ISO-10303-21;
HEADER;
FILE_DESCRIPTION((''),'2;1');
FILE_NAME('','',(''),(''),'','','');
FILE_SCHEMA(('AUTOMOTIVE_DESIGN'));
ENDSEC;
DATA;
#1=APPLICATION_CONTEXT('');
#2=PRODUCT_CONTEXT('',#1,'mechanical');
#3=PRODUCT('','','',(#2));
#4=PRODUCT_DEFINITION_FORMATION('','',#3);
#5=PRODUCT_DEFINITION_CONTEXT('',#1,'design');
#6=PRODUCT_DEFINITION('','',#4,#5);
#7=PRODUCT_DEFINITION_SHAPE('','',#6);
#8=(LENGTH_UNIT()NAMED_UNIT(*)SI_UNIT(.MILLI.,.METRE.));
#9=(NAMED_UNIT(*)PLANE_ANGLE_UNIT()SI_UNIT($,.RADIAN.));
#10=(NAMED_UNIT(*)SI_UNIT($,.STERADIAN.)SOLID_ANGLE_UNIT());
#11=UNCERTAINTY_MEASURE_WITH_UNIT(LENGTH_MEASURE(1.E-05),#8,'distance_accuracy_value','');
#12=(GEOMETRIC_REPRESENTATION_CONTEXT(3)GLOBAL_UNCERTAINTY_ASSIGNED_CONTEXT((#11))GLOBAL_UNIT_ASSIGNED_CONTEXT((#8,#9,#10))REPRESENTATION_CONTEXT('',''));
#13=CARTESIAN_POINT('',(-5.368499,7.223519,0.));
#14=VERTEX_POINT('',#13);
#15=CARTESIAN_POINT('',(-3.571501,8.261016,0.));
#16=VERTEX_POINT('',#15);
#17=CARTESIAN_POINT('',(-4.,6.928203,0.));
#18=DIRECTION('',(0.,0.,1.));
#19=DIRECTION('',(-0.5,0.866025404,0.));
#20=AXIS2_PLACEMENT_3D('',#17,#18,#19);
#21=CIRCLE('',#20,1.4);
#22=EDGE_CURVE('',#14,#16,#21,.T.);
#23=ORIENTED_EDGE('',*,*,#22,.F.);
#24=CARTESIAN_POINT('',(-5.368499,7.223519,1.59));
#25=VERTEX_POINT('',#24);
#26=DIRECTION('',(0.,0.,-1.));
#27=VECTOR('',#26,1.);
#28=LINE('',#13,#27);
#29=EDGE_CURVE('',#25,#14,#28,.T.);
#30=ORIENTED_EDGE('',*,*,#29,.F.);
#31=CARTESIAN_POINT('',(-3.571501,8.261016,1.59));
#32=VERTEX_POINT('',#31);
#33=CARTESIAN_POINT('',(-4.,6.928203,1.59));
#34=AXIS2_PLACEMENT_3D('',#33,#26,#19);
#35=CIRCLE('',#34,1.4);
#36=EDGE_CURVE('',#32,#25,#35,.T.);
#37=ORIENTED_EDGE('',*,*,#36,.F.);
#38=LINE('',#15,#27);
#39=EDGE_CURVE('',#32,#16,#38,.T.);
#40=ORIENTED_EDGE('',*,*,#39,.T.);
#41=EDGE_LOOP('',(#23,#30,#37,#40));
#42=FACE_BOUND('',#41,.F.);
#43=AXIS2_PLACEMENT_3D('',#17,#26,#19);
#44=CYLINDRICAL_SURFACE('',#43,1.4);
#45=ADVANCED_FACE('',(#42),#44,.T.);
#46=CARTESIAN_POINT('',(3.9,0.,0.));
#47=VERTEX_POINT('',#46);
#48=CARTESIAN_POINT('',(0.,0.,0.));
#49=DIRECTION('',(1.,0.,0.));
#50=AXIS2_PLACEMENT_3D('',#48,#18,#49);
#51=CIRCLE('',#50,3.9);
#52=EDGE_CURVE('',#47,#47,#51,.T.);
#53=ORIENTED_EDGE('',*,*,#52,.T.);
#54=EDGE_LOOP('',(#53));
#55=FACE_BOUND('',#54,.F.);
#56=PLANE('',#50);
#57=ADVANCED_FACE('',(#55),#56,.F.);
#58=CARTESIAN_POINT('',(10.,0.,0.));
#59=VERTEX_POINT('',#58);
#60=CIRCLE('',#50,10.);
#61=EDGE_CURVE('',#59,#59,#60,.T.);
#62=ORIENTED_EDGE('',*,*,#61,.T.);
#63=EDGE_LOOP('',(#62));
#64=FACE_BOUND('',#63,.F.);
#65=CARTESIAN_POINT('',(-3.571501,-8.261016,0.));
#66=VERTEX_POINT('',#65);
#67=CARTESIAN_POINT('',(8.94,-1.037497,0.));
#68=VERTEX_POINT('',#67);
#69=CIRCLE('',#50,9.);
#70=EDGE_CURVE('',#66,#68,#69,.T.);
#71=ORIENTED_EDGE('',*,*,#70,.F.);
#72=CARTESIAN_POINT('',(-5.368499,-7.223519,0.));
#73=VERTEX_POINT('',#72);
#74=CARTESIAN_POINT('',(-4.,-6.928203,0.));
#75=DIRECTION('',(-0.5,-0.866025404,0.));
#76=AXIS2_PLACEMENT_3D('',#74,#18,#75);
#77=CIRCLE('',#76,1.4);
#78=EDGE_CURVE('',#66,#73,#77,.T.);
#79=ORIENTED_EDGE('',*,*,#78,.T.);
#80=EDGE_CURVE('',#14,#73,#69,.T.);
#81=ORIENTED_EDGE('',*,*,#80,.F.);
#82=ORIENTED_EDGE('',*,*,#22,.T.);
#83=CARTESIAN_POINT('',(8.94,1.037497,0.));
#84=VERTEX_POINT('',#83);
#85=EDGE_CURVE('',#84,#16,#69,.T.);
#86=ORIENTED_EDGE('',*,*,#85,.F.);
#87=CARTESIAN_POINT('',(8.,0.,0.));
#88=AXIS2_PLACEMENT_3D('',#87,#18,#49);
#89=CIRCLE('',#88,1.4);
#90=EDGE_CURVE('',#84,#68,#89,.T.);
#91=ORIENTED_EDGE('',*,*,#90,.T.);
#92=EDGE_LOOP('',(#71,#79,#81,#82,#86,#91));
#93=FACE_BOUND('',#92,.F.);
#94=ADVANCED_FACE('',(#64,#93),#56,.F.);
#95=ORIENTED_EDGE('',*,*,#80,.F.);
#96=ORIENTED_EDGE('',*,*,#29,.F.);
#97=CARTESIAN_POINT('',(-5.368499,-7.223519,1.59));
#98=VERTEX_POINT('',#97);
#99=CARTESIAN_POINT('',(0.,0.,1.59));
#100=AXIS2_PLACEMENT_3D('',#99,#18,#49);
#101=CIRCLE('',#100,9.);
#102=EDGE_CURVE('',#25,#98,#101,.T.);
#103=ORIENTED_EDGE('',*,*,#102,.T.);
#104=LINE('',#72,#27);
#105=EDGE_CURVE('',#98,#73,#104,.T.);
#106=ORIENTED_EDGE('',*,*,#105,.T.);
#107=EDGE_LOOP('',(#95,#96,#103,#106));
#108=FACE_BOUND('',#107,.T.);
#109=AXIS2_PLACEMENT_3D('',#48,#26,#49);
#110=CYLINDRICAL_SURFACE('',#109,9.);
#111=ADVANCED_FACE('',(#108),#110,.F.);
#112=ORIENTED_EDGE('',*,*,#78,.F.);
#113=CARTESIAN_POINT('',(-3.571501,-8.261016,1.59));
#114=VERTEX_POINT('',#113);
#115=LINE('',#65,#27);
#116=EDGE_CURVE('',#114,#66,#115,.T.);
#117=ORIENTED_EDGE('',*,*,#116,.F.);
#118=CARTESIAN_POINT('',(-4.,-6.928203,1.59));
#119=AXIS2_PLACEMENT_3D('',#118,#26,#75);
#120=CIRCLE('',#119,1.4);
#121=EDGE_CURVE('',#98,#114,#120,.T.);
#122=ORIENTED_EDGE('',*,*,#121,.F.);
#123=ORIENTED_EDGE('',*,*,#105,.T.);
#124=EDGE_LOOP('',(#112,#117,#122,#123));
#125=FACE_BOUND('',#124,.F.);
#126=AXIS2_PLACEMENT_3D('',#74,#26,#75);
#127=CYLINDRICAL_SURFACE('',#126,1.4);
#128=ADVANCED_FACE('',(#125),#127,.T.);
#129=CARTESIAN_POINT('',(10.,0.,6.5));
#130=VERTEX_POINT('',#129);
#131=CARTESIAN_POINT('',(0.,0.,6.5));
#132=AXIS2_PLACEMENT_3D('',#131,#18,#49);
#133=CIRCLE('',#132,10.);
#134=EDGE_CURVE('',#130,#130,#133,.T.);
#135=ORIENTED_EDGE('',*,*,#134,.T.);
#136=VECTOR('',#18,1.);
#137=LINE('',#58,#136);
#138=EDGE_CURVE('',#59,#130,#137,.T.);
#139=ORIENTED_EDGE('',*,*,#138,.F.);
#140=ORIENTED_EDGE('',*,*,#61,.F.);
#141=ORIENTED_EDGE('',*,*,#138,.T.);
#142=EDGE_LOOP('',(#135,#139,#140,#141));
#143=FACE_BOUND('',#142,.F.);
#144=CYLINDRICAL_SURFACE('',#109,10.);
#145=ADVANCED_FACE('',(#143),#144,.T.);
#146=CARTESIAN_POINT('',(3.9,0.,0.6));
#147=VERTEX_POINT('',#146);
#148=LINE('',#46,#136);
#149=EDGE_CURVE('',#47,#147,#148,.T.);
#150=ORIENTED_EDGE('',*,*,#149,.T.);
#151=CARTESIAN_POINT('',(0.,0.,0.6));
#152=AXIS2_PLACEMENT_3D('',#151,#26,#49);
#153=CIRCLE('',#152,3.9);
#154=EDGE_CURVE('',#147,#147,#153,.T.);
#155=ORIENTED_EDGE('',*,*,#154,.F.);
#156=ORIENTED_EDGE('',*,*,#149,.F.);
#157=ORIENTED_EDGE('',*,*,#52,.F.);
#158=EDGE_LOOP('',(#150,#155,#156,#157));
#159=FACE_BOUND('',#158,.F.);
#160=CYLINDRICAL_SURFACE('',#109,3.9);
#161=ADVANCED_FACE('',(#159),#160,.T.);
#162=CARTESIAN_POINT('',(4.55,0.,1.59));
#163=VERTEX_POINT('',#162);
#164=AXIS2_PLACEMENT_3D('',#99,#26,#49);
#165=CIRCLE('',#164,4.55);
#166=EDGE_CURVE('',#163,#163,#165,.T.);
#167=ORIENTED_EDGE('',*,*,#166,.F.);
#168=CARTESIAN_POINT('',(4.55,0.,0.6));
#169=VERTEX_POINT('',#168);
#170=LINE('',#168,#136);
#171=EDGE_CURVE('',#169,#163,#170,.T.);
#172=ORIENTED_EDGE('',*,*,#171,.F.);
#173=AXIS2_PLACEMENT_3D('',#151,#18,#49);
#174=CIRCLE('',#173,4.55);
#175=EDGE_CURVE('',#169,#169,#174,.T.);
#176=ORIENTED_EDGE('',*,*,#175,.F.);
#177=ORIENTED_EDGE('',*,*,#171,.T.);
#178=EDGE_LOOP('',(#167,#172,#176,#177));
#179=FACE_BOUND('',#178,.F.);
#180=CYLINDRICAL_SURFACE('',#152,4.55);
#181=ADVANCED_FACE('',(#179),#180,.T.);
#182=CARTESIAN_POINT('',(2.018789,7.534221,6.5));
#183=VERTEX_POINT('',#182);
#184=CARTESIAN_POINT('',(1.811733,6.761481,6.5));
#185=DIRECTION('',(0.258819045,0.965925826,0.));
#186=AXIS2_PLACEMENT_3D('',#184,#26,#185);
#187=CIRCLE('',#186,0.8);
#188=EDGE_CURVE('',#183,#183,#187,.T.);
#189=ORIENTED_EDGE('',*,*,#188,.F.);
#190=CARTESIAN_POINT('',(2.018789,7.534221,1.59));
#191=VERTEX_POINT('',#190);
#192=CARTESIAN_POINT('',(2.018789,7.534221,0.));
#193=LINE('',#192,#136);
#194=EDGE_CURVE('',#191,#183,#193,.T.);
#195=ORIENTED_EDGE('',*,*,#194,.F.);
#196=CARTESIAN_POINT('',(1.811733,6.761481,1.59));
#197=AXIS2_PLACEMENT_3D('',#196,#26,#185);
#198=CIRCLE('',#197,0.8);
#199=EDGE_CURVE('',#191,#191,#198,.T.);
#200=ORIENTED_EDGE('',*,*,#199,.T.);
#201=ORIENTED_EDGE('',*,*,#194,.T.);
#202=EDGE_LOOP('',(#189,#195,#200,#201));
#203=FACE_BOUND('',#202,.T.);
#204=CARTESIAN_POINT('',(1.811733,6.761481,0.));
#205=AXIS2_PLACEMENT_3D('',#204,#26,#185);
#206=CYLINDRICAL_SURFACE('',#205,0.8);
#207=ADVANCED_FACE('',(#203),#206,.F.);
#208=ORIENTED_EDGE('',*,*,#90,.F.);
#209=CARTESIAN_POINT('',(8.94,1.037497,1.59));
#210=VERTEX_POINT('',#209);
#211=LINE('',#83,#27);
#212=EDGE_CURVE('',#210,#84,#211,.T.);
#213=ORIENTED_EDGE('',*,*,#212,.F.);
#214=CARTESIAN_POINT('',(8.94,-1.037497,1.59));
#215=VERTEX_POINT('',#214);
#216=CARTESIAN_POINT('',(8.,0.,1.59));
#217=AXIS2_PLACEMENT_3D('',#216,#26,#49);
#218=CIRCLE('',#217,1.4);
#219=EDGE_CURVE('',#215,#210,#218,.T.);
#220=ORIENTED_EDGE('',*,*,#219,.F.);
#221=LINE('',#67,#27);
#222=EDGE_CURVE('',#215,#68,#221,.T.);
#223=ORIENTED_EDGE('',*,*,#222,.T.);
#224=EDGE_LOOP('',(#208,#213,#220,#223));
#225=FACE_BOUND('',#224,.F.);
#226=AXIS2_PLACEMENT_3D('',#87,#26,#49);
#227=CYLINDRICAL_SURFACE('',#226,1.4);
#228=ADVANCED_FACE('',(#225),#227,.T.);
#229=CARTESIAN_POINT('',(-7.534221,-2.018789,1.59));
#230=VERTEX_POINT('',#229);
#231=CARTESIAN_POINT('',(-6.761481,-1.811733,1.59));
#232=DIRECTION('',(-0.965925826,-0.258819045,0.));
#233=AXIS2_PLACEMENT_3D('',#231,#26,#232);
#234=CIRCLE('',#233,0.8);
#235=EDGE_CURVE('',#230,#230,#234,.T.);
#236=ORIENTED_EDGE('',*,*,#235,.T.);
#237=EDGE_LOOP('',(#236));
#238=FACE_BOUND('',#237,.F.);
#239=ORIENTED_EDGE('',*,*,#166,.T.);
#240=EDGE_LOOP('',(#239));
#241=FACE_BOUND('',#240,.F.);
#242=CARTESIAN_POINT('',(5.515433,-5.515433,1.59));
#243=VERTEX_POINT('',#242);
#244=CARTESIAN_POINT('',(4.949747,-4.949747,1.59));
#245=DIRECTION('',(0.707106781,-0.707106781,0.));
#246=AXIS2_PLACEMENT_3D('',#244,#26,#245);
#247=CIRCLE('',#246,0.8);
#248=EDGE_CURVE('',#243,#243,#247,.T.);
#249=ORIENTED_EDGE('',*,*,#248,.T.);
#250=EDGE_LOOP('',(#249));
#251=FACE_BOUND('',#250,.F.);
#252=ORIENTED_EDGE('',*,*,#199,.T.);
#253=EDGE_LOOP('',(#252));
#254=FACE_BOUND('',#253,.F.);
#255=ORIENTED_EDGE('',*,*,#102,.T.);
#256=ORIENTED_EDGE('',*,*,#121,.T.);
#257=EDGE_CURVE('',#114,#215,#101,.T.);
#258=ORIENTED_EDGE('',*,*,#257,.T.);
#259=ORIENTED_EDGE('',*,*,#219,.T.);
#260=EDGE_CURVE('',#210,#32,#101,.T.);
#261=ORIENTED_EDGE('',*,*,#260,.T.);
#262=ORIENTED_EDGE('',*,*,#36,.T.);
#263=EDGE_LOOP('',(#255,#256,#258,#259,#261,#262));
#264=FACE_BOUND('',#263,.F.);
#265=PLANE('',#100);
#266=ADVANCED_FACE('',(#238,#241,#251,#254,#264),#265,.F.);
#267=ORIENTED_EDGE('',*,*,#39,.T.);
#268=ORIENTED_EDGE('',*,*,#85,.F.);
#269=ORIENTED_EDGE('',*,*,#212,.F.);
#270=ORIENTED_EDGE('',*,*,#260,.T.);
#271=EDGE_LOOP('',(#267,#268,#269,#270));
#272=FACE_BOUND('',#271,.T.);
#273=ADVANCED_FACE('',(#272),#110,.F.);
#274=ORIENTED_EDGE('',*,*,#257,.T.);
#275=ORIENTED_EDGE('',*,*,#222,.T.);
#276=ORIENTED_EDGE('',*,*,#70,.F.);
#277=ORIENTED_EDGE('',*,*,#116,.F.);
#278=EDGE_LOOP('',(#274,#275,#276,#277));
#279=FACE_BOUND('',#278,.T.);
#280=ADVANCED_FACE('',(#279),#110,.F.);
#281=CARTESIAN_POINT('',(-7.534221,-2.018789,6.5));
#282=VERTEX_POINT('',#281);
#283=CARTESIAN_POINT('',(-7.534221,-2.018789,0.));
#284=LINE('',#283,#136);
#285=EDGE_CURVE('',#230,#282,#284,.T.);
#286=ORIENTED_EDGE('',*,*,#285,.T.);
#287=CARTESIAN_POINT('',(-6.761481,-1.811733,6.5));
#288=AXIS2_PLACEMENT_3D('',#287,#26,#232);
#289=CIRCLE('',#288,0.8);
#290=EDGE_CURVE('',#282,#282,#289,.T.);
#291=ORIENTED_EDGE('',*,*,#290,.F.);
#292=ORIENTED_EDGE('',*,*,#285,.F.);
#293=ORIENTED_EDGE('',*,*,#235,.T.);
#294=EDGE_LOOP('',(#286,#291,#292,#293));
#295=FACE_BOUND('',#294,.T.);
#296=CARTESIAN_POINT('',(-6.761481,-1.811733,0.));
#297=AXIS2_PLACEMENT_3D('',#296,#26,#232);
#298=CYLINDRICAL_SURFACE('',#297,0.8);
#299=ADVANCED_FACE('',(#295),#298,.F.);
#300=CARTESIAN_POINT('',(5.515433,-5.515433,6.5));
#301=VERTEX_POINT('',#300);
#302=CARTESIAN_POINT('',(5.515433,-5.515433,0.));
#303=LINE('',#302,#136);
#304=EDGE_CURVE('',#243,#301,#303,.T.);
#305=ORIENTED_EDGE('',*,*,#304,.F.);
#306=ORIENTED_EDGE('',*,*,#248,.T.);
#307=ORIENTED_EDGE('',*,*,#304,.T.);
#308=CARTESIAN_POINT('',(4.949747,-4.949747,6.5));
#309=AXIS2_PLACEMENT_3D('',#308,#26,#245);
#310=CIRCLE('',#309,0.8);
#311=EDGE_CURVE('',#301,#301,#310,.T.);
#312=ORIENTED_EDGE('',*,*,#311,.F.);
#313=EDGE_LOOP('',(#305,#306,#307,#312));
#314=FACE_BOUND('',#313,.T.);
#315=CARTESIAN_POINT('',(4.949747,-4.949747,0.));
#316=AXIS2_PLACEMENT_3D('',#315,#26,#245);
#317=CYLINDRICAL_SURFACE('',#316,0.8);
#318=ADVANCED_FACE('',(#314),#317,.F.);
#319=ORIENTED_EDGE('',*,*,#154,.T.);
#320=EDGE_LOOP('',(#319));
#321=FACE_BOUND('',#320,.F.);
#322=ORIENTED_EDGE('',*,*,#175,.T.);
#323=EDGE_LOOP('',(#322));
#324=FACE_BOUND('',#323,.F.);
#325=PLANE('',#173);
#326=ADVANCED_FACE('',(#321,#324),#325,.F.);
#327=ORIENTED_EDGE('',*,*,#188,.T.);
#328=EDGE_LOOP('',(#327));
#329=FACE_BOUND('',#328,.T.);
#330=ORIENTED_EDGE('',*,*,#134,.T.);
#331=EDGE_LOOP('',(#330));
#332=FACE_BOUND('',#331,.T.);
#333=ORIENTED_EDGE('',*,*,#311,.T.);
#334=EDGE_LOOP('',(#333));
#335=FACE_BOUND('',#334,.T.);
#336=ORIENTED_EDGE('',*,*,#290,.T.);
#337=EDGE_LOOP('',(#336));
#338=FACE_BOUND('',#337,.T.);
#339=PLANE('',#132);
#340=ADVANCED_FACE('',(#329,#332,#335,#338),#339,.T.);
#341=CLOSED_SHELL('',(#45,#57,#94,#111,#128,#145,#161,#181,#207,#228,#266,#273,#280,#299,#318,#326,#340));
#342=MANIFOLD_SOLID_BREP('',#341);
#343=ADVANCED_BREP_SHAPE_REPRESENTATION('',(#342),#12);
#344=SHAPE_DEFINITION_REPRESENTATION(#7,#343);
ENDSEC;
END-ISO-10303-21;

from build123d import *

# Parameters (mm, degrees)
CYLINDER044_R            = 0.8
CYLINDER044_DEPTH        = 10
ARRAY007_COUNT           = 3
ARRAY007_PLACEMENT_ANGLE = 45
CYLINDER027_R            = 4.55
CYLINDER027_DEPTH        = 10
CYLINDER026_R            = 3.9
CYLINDER026_DEPTH        = 10
CYLINDER024_R            = 1.4
CYLINDER024_DEPTH        = 10
ARRAY_COUNT              = 3
CYLINDER023_R            = 9
CYLINDER023_DEPTH        = 1.59
CYLINDER043_R            = 10
CYLINDER043_DEPTH        = 6.5


with BuildPart() as array007:
    # Cylinder044 → Cylinder044 (new body)
    with BuildSketch(Plane(origin=(7, 0, 0), x_dir=(1, 0, 0), z_dir=(0, 0, 1))):
        Circle(CYLINDER044_R)
    extrude(amount=CYLINDER044_DEPTH)

    # Array007: Array007 ×3 about axis
    array007_axis = Axis((0, 0, 0), (0, 0, 1))


with BuildPart() as array007_1:
    add(array007.part)
    for i in range(1, ARRAY007_COUNT):
        add(array007.part.rotate(array007_axis, i * 360 / ARRAY007_COUNT))


with BuildPart() as array007_2:
    # Array007 placement: moved
    add(array007_1.part.rotate(Axis((0, 0, 0), (0, 0, -1)), ARRAY007_PLACEMENT_ANGLE))


with BuildPart() as mountplatelip:
    # Cylinder027 → Cylinder027 (new body)
    with BuildSketch(Plane.XY.offset(0.6)):
        Circle(CYLINDER027_R)
    extrude(amount=CYLINDER027_DEPTH)


with BuildPart() as mountplateinnerhole:
    # Cylinder026 → Cylinder026 (new body)
    with BuildSketch(Plane.XY):
        Circle(CYLINDER026_R)
    extrude(amount=CYLINDER026_DEPTH)


with BuildPart() as fusion012:
    # Cylinder024 → Cylinder024 (new body)
    with BuildSketch(Plane(origin=(8, 0, 0), x_dir=(1, 0, 0), z_dir=(0, 0, 1))):
        Circle(CYLINDER024_R)
    extrude(amount=CYLINDER024_DEPTH)

    # Array: Fusion012 ×3 about axis
    array_axis = Axis((0, 0, 0), (0, 0, 1))


with BuildPart() as fusion012_1:
    add(fusion012.part)
    for i in range(1, ARRAY_COUNT):
        add(fusion012.part.rotate(array_axis, i * 360 / ARRAY_COUNT))

    # Fusion012: union MountPlateLip, MountPlateInnerHole
    add(mountplatelip.part)
    add(mountplateinnerhole.part)


with BuildPart() as cut013:
    # Cylinder023 → Cylinder023 (new body)
    with BuildSketch(Plane.XY):
        Circle(CYLINDER023_R)
    extrude(amount=CYLINDER023_DEPTH)

    # Cut013: cut Fusion012
    add(fusion012_1.part, mode=Mode.SUBTRACT)


with BuildPart() as cut015:
    # Cylinder043 → Cylinder043 (new body)
    with BuildSketch(Plane.XY):
        Circle(CYLINDER043_R)
    extrude(amount=CYLINDER043_DEPTH)

    # Cut014: cut Cut013
    add(cut013.part, mode=Mode.SUBTRACT)

    # Cut015: cut Array007
    add(array007_2.part, mode=Mode.SUBTRACT)


solid = cut015.part
